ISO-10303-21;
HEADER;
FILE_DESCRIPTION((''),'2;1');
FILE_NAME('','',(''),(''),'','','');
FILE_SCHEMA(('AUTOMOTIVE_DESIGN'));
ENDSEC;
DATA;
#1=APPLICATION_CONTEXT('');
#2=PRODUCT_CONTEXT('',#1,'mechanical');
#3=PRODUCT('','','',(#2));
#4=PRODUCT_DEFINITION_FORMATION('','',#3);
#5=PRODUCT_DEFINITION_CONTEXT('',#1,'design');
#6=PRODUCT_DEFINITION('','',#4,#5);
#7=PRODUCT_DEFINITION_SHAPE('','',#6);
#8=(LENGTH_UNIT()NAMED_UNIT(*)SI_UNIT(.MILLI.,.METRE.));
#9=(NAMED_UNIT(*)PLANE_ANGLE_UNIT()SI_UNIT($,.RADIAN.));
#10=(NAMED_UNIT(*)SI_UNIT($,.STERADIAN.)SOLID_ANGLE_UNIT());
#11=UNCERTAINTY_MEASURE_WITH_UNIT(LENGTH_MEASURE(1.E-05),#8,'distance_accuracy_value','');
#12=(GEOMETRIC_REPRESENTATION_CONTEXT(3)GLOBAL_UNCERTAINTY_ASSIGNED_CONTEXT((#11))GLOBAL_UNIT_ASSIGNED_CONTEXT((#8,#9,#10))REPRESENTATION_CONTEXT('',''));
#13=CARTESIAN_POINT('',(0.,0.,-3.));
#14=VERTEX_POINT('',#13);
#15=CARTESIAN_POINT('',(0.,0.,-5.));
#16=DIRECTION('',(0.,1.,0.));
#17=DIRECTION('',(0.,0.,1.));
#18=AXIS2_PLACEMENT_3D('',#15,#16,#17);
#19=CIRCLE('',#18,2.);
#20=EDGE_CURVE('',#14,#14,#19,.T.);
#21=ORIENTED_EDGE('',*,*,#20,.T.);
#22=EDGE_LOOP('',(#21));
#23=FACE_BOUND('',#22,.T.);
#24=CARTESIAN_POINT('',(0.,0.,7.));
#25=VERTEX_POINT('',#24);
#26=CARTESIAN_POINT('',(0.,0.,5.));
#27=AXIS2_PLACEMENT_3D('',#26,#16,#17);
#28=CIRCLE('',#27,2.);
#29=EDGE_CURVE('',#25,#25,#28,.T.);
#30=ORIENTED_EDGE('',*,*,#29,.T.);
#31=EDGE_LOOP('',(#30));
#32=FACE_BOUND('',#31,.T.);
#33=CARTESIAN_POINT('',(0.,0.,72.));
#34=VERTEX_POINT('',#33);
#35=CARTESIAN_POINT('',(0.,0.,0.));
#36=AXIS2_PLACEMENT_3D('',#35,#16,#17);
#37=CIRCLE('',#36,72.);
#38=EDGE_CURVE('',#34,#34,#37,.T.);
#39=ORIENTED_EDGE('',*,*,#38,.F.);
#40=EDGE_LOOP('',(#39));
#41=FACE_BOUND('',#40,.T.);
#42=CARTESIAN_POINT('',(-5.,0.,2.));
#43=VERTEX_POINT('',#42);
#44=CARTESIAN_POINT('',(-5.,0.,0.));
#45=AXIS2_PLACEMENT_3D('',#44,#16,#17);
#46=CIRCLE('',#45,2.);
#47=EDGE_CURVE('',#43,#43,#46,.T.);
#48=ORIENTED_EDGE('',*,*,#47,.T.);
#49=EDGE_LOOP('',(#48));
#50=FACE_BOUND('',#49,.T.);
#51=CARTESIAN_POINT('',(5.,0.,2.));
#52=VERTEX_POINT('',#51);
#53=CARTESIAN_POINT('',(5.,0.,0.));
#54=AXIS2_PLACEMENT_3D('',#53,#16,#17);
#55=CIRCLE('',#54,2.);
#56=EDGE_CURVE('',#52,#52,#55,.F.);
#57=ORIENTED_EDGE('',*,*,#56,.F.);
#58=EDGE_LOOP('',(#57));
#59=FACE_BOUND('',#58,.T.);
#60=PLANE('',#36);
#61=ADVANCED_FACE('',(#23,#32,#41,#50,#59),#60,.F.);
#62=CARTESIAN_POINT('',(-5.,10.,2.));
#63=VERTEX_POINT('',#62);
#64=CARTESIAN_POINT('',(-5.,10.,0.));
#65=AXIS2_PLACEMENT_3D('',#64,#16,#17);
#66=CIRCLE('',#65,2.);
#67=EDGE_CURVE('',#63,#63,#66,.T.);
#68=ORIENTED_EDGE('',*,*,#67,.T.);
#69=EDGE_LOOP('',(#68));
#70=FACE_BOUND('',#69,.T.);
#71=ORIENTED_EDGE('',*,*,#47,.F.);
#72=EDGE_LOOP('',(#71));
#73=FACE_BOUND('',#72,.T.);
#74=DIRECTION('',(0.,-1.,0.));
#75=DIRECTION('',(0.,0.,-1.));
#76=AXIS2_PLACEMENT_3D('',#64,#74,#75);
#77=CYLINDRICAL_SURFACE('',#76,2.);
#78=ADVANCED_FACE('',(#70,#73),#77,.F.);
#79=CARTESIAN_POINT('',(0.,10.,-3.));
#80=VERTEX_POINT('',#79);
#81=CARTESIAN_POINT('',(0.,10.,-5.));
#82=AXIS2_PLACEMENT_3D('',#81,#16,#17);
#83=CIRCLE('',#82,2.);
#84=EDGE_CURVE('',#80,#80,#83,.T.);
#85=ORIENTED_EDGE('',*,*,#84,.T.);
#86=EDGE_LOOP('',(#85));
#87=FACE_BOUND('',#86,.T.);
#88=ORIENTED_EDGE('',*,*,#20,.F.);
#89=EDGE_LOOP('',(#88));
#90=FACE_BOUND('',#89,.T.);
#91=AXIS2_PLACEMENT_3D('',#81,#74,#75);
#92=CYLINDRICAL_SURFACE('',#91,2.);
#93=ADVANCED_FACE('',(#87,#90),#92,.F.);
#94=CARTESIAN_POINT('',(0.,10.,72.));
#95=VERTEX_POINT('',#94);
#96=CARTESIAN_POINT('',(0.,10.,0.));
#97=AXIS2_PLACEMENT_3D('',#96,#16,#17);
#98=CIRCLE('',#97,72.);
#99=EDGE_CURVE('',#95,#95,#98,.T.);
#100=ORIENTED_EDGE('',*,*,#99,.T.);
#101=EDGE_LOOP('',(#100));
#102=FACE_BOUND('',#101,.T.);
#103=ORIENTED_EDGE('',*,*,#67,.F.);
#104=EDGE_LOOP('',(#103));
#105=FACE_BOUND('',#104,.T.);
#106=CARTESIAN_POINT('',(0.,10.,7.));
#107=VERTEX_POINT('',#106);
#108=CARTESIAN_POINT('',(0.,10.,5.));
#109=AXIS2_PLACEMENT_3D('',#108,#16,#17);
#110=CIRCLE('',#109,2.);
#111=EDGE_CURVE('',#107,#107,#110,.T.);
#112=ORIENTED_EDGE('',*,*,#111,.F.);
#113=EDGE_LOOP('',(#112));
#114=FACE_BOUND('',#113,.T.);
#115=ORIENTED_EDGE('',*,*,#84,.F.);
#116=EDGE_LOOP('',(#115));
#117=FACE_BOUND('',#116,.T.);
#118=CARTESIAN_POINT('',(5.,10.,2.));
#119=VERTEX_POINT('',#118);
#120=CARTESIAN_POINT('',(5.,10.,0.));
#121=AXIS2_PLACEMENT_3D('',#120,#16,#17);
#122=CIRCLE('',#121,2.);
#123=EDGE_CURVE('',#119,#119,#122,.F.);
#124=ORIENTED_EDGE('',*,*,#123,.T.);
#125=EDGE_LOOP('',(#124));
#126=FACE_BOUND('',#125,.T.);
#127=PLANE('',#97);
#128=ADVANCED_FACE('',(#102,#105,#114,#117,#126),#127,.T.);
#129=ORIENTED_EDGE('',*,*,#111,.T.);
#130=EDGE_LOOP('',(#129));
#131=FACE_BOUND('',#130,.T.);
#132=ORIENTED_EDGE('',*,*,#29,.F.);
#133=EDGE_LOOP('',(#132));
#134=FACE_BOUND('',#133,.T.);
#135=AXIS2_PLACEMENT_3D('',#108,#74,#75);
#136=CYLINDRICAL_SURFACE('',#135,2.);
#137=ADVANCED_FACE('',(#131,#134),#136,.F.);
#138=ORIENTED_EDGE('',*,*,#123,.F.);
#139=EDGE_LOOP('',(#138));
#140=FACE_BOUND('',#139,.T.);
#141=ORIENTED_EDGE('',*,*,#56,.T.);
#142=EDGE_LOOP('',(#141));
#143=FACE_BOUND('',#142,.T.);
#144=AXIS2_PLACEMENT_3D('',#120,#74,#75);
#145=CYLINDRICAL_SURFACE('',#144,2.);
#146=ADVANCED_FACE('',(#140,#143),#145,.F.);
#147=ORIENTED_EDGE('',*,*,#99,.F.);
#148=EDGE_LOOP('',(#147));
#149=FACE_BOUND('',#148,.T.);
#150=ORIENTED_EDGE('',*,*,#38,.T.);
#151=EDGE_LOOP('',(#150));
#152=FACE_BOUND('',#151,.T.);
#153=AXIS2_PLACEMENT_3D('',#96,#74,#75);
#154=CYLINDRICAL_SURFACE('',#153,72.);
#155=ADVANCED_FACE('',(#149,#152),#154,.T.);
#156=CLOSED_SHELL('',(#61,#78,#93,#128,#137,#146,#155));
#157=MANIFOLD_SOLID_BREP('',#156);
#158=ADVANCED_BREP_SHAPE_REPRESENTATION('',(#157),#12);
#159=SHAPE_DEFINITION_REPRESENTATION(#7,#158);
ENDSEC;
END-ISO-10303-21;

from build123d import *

# Parameters (mm, degrees)
SKETCH_6_R      = 72
SKETCH_6_R_2    = 2
EXTRUDE_2_DEPTH = 10


with BuildPart() as part:
    # 草圖6 → 填料-伸長2 (new body)
    with BuildSketch(Plane(origin=(0, 0, 0), x_dir=(1, 0, 0), z_dir=(0, 1, 0))):
        Circle(SKETCH_6_R)
        with Locations((0, -5)):
            Circle(SKETCH_6_R_2, mode=Mode.SUBTRACT)
        with Locations((-5, 0)):
            Circle(SKETCH_6_R_2, mode=Mode.SUBTRACT)
        with Locations((5, 0)):
            Circle(SKETCH_6_R_2, mode=Mode.SUBTRACT)
        with Locations((0, 5)):
            Circle(SKETCH_6_R_2, mode=Mode.SUBTRACT)
    extrude(amount=EXTRUDE_2_DEPTH)


solid = part.part
